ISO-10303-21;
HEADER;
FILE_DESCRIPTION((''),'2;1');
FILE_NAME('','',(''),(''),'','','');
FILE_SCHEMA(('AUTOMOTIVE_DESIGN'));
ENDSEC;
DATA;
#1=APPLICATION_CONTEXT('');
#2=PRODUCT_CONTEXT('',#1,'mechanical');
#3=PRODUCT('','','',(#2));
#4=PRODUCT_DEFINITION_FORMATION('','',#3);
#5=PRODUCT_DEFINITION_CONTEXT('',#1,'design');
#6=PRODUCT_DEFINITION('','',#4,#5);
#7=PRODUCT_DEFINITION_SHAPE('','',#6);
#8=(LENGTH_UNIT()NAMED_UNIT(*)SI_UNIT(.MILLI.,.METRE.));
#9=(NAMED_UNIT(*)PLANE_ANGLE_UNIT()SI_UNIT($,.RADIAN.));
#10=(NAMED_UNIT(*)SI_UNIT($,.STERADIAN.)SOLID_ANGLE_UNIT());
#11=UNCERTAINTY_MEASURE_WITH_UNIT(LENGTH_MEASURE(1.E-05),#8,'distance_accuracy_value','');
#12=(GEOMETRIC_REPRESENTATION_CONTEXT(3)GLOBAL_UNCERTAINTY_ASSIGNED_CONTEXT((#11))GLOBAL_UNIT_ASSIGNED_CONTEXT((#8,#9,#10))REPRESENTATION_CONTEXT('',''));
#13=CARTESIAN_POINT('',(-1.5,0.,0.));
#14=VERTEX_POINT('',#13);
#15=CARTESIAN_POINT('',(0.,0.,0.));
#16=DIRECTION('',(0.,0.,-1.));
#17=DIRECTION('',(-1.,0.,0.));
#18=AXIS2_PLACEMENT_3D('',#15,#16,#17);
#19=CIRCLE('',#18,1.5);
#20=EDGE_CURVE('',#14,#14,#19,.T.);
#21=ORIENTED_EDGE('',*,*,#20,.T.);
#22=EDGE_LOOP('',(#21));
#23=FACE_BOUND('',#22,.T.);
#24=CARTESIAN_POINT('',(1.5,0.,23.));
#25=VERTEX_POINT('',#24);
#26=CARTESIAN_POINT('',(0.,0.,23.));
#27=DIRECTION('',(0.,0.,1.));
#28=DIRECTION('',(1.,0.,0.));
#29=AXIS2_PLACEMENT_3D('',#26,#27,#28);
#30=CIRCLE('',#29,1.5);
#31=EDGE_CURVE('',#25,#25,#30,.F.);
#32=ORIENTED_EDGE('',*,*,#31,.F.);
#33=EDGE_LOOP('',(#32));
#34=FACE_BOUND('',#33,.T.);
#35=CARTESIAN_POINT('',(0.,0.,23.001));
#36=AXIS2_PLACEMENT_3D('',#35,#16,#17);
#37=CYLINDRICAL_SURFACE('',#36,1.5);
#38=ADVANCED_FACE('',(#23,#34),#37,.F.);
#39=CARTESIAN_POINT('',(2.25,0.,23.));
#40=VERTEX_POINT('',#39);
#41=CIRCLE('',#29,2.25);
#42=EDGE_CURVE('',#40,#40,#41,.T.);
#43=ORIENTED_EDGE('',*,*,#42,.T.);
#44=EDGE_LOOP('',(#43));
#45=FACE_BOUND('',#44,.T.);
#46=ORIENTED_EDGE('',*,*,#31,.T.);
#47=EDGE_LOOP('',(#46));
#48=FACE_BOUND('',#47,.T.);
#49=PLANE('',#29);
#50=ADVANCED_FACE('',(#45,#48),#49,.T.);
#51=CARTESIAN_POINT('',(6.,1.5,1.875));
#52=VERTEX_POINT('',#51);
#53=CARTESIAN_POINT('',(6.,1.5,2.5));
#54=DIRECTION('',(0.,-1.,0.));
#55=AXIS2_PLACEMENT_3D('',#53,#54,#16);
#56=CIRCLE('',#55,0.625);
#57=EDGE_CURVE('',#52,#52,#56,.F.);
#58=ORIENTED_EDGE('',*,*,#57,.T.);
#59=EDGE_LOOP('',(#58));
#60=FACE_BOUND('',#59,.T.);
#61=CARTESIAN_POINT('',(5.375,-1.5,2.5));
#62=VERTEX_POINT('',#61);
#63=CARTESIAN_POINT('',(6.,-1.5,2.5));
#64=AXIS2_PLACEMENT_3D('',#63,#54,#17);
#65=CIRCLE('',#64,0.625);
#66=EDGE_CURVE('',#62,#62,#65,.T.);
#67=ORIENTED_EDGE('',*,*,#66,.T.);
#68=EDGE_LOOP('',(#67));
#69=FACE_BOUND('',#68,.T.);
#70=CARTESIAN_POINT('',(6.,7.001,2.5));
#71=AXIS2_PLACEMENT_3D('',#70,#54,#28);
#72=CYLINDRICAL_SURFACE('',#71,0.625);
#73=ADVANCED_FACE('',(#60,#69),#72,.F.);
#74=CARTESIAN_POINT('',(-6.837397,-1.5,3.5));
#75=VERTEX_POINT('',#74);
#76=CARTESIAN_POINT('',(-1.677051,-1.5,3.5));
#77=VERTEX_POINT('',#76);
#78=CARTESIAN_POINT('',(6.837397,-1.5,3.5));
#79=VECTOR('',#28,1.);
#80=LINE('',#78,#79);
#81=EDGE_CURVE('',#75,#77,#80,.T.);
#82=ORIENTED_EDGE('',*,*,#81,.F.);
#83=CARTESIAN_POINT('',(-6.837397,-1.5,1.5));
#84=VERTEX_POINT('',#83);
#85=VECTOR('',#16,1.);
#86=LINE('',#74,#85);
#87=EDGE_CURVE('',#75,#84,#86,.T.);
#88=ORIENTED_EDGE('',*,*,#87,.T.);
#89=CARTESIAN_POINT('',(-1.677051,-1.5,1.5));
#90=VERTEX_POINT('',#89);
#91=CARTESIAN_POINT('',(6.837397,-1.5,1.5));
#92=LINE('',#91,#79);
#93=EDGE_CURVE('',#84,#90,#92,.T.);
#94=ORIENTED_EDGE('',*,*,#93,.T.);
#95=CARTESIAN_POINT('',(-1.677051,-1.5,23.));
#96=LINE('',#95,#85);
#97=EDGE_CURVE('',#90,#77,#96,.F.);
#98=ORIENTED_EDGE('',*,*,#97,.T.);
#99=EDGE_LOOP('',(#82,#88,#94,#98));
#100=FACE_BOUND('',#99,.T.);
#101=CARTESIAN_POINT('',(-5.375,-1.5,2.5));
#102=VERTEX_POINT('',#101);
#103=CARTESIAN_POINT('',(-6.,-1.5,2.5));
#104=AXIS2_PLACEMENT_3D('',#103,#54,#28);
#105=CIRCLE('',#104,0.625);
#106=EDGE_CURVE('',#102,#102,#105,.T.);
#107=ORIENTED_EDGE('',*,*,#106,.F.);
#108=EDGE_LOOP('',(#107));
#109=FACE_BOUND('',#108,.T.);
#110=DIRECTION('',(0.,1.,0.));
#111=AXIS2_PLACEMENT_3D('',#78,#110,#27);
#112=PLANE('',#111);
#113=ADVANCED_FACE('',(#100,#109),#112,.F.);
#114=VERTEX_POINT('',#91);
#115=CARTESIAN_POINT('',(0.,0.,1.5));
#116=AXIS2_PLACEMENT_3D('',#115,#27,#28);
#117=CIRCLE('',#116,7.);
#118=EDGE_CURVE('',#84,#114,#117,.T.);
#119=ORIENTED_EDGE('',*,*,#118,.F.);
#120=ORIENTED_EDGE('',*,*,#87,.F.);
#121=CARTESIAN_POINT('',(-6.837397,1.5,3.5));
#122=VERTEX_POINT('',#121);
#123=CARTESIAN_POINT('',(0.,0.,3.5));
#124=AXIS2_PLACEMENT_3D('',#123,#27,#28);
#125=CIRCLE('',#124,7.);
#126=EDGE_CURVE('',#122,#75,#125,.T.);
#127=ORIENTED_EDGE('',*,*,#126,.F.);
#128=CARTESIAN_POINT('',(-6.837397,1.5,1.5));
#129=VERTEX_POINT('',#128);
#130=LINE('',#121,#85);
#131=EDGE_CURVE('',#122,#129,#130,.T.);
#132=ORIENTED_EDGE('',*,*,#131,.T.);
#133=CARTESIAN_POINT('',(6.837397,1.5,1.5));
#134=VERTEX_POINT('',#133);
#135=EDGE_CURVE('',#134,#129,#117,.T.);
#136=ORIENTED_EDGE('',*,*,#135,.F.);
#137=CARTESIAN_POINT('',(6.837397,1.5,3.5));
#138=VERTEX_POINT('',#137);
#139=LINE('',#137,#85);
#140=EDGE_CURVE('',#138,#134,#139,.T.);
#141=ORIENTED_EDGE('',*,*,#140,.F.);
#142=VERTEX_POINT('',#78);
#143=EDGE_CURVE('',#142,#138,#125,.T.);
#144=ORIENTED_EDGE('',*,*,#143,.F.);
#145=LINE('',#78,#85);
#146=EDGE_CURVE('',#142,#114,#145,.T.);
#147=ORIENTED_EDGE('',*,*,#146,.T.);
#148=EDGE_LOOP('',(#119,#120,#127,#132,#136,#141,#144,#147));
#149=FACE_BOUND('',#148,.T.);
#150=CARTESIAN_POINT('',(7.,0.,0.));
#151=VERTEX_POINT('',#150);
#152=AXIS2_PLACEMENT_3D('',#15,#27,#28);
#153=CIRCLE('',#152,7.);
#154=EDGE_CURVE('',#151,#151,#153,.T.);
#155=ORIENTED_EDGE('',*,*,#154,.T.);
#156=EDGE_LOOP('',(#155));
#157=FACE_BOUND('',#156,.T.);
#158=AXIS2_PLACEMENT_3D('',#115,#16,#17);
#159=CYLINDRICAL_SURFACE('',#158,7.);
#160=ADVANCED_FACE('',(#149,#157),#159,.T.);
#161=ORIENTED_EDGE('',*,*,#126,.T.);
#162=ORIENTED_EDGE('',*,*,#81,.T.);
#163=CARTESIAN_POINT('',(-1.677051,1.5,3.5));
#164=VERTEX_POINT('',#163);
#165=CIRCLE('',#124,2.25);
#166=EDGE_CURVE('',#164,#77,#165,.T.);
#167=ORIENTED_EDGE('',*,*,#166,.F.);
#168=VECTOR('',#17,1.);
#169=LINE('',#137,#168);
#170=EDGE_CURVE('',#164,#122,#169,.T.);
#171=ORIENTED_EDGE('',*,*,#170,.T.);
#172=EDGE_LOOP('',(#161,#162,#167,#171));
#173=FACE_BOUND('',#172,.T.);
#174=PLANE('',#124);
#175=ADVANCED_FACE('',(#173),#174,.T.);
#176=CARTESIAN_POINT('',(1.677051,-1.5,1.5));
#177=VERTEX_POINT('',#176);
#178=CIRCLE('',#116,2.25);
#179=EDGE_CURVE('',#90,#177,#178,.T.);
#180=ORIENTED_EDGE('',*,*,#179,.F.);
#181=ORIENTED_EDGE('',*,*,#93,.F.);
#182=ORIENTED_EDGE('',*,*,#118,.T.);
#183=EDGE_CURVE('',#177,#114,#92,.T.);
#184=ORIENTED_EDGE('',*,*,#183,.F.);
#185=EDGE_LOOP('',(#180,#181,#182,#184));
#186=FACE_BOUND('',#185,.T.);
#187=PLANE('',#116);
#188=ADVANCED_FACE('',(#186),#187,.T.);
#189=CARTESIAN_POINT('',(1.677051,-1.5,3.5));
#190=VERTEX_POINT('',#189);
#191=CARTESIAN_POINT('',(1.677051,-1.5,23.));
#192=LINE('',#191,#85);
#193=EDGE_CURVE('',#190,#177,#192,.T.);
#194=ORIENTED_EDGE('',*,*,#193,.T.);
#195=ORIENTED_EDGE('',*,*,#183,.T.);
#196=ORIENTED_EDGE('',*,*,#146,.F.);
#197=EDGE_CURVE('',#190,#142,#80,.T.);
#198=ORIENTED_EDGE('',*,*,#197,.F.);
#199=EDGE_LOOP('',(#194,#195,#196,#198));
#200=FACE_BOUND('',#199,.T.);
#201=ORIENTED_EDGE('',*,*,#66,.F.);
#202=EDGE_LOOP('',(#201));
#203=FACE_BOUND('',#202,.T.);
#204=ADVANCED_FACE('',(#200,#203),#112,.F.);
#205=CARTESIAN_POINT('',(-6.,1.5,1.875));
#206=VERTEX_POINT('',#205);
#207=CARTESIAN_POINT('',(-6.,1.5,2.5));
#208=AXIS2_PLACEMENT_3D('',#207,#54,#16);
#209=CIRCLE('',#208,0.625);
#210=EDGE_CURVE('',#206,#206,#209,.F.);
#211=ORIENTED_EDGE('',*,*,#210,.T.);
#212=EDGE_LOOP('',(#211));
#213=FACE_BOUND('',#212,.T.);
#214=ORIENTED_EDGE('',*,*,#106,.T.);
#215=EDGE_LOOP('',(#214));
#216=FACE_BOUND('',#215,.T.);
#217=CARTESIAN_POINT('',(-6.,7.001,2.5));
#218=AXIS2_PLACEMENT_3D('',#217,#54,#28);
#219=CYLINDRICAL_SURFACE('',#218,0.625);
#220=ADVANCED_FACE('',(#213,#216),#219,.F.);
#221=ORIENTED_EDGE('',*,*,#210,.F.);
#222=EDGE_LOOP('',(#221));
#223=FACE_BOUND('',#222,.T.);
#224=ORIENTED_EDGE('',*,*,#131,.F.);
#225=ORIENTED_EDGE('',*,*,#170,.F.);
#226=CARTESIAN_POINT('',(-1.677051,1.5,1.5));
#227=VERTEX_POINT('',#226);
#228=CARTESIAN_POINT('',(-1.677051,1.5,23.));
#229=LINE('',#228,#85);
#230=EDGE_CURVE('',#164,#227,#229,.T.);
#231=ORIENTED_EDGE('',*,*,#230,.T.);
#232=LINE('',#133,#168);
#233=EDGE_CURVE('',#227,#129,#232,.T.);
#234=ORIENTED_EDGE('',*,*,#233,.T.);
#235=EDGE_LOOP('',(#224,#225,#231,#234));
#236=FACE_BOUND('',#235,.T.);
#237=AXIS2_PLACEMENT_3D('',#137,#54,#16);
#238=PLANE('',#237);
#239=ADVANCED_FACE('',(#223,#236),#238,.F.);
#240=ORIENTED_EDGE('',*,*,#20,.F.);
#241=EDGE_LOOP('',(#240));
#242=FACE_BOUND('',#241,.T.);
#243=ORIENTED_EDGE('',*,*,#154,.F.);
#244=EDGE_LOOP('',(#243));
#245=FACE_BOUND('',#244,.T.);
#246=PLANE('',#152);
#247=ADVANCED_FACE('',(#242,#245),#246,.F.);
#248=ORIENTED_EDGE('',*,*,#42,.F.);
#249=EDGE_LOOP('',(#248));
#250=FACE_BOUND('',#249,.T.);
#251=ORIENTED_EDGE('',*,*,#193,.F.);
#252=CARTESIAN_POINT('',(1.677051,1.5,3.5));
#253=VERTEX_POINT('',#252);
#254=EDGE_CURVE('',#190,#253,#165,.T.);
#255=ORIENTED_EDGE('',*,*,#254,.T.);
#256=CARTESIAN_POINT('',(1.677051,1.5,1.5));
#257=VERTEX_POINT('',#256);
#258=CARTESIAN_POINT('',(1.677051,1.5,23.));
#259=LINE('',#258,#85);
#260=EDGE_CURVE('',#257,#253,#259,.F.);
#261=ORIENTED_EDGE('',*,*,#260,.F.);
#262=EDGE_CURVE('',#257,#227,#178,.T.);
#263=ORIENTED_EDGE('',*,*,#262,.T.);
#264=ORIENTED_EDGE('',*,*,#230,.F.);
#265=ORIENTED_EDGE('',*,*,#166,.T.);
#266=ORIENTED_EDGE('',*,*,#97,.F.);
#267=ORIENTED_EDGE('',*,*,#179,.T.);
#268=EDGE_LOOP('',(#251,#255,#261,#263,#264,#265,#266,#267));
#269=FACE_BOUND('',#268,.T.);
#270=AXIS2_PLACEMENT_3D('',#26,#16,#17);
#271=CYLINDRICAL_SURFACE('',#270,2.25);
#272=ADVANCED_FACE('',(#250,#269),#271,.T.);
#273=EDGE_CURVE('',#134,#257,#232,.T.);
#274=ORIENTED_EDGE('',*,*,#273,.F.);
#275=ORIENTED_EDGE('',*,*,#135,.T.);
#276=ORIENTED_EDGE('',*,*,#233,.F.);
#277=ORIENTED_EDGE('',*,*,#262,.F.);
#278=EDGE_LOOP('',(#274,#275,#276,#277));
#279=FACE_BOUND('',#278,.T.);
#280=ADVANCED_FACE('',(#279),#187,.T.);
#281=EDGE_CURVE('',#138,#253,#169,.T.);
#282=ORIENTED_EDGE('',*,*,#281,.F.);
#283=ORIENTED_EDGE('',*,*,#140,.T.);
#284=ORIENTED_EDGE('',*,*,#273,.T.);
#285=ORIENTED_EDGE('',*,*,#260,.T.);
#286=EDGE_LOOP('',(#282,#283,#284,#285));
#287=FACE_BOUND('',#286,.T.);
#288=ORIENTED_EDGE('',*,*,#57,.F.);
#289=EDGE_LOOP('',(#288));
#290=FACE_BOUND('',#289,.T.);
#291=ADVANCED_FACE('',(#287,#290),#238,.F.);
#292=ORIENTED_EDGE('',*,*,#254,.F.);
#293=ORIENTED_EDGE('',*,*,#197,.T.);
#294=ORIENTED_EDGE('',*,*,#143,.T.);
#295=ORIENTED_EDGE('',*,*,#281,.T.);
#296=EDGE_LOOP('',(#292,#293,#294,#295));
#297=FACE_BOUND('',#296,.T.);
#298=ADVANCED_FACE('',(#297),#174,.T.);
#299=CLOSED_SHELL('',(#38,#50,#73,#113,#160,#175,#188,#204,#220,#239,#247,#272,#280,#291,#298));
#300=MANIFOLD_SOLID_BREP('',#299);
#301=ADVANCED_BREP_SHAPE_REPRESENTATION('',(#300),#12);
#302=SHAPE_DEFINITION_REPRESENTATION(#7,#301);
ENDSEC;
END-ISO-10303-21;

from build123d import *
from build123d.topology import SkipClean

# Parameters (mm, degrees)
SKETCH1_R           = 7
BOSS_EXTRUDE1_DEPTH = 1.5
SKETCH2_R           = 2.25
BOSS_EXTRUDE2_DEPTH = 21.5
CUT_EXTRUDE1_REACH  = 27.04
SKETCH4_R           = 1.5
BOSS_EXTRUDE5_DEPTH = 2
CUT_EXTRUDE5_REACH  = 27.5
SKETCH16_R          = 0.625
CUT_EXTRUDE6_REACH  = 25.67
SKETCH17_R          = 1.5


with BuildPart() as part:
    # Sketch1 → Boss-Extrude1 (new body)
    with BuildSketch(Plane.XY):
        Circle(SKETCH1_R)
    extrude(amount=BOSS_EXTRUDE1_DEPTH)

    # Sketch2 → Boss-Extrude2 (add)
    with BuildSketch(Plane.XY.offset(1.5)):
        Circle(SKETCH2_R)
    extrude(amount=BOSS_EXTRUDE2_DEPTH)

    # Sketch4 → Cut-Extrude1 (cut, up to next)
    with BuildSketch(Plane(origin=(0, 0, 0), x_dir=(-1, 0, 0), z_dir=(0, 0, -1)), mode=Mode.PRIVATE) as cut_extrude1_sk1:
        Circle(SKETCH4_R)
    cut_extrude1_tool1 = extrude(cut_extrude1_sk1.sketch, amount=-CUT_EXTRUDE1_REACH, mode=Mode.PRIVATE) & part.part
    add(cut_extrude1_tool1.solids().sort_by_distance((0, 0, 0))[0], mode=Mode.SUBTRACT)

    # Sketch15 → Boss-Extrude5 (add)
    with SkipClean():  # the faces are left unmerged after this step: merging them gives an invalid solid
        with BuildSketch(Plane.XY.offset(1.5)):
            with BuildLine():
                Line((6.837397, -1.5), (-6.837397, -1.5))
                ThreePointArc((-6.837397, -1.5), (-7, 0), (-6.837397, 1.5))
                Line((-6.837397, 1.5), (6.837397, 1.5))
                ThreePointArc((6.837397, 1.5), (7, 0), (6.837397, -1.5))
            make_face()
        extrude(amount=BOSS_EXTRUDE5_DEPTH)

    # Sketch16 → Cut-Extrude5 (cut, up to next)
    with BuildSketch(Plane.XZ.offset(1.5), mode=Mode.PRIVATE) as cut_extrude5_sk1:
        with Locations((-6, 2.5)):
            Circle(SKETCH16_R)
    cut_extrude5_tool1 = extrude(cut_extrude5_sk1.sketch, amount=-CUT_EXTRUDE5_REACH, mode=Mode.PRIVATE) & part.part
    # Sketch16 → Cut-Extrude5 (cut, up to next)
    with BuildSketch(Plane.XZ.offset(1.5), mode=Mode.PRIVATE) as cut_extrude5_sk2:
        with Locations(Location((6, 2.5, 0), (0, 0, 270))):
            Circle(SKETCH16_R)
    cut_extrude5_tool2 = extrude(cut_extrude5_sk2.sketch, amount=-CUT_EXTRUDE5_REACH, mode=Mode.PRIVATE) & part.part
    add(cut_extrude5_tool1.solids().sort_by_distance((-6, -1.5, 2.5))[0], mode=Mode.SUBTRACT)
    add(cut_extrude5_tool2.solids().sort_by_distance((6, -1.5, 2.5))[0], mode=Mode.SUBTRACT)

    # Sketch17 → Cut-Extrude6 (cut, up to next)
    with BuildSketch(Plane(origin=(0, 0, 1.5), x_dir=(-1, 0, 0), z_dir=(0, 0, -1)), mode=Mode.PRIVATE) as cut_extrude6_sk1:
        Circle(SKETCH17_R)
    cut_extrude6_tool1 = extrude(cut_extrude6_sk1.sketch, amount=-CUT_EXTRUDE6_REACH, mode=Mode.PRIVATE) & part.part
    add(cut_extrude6_tool1.solids().sort_by_distance((0, 0, 1.5))[0], mode=Mode.SUBTRACT)


solid = part.part
